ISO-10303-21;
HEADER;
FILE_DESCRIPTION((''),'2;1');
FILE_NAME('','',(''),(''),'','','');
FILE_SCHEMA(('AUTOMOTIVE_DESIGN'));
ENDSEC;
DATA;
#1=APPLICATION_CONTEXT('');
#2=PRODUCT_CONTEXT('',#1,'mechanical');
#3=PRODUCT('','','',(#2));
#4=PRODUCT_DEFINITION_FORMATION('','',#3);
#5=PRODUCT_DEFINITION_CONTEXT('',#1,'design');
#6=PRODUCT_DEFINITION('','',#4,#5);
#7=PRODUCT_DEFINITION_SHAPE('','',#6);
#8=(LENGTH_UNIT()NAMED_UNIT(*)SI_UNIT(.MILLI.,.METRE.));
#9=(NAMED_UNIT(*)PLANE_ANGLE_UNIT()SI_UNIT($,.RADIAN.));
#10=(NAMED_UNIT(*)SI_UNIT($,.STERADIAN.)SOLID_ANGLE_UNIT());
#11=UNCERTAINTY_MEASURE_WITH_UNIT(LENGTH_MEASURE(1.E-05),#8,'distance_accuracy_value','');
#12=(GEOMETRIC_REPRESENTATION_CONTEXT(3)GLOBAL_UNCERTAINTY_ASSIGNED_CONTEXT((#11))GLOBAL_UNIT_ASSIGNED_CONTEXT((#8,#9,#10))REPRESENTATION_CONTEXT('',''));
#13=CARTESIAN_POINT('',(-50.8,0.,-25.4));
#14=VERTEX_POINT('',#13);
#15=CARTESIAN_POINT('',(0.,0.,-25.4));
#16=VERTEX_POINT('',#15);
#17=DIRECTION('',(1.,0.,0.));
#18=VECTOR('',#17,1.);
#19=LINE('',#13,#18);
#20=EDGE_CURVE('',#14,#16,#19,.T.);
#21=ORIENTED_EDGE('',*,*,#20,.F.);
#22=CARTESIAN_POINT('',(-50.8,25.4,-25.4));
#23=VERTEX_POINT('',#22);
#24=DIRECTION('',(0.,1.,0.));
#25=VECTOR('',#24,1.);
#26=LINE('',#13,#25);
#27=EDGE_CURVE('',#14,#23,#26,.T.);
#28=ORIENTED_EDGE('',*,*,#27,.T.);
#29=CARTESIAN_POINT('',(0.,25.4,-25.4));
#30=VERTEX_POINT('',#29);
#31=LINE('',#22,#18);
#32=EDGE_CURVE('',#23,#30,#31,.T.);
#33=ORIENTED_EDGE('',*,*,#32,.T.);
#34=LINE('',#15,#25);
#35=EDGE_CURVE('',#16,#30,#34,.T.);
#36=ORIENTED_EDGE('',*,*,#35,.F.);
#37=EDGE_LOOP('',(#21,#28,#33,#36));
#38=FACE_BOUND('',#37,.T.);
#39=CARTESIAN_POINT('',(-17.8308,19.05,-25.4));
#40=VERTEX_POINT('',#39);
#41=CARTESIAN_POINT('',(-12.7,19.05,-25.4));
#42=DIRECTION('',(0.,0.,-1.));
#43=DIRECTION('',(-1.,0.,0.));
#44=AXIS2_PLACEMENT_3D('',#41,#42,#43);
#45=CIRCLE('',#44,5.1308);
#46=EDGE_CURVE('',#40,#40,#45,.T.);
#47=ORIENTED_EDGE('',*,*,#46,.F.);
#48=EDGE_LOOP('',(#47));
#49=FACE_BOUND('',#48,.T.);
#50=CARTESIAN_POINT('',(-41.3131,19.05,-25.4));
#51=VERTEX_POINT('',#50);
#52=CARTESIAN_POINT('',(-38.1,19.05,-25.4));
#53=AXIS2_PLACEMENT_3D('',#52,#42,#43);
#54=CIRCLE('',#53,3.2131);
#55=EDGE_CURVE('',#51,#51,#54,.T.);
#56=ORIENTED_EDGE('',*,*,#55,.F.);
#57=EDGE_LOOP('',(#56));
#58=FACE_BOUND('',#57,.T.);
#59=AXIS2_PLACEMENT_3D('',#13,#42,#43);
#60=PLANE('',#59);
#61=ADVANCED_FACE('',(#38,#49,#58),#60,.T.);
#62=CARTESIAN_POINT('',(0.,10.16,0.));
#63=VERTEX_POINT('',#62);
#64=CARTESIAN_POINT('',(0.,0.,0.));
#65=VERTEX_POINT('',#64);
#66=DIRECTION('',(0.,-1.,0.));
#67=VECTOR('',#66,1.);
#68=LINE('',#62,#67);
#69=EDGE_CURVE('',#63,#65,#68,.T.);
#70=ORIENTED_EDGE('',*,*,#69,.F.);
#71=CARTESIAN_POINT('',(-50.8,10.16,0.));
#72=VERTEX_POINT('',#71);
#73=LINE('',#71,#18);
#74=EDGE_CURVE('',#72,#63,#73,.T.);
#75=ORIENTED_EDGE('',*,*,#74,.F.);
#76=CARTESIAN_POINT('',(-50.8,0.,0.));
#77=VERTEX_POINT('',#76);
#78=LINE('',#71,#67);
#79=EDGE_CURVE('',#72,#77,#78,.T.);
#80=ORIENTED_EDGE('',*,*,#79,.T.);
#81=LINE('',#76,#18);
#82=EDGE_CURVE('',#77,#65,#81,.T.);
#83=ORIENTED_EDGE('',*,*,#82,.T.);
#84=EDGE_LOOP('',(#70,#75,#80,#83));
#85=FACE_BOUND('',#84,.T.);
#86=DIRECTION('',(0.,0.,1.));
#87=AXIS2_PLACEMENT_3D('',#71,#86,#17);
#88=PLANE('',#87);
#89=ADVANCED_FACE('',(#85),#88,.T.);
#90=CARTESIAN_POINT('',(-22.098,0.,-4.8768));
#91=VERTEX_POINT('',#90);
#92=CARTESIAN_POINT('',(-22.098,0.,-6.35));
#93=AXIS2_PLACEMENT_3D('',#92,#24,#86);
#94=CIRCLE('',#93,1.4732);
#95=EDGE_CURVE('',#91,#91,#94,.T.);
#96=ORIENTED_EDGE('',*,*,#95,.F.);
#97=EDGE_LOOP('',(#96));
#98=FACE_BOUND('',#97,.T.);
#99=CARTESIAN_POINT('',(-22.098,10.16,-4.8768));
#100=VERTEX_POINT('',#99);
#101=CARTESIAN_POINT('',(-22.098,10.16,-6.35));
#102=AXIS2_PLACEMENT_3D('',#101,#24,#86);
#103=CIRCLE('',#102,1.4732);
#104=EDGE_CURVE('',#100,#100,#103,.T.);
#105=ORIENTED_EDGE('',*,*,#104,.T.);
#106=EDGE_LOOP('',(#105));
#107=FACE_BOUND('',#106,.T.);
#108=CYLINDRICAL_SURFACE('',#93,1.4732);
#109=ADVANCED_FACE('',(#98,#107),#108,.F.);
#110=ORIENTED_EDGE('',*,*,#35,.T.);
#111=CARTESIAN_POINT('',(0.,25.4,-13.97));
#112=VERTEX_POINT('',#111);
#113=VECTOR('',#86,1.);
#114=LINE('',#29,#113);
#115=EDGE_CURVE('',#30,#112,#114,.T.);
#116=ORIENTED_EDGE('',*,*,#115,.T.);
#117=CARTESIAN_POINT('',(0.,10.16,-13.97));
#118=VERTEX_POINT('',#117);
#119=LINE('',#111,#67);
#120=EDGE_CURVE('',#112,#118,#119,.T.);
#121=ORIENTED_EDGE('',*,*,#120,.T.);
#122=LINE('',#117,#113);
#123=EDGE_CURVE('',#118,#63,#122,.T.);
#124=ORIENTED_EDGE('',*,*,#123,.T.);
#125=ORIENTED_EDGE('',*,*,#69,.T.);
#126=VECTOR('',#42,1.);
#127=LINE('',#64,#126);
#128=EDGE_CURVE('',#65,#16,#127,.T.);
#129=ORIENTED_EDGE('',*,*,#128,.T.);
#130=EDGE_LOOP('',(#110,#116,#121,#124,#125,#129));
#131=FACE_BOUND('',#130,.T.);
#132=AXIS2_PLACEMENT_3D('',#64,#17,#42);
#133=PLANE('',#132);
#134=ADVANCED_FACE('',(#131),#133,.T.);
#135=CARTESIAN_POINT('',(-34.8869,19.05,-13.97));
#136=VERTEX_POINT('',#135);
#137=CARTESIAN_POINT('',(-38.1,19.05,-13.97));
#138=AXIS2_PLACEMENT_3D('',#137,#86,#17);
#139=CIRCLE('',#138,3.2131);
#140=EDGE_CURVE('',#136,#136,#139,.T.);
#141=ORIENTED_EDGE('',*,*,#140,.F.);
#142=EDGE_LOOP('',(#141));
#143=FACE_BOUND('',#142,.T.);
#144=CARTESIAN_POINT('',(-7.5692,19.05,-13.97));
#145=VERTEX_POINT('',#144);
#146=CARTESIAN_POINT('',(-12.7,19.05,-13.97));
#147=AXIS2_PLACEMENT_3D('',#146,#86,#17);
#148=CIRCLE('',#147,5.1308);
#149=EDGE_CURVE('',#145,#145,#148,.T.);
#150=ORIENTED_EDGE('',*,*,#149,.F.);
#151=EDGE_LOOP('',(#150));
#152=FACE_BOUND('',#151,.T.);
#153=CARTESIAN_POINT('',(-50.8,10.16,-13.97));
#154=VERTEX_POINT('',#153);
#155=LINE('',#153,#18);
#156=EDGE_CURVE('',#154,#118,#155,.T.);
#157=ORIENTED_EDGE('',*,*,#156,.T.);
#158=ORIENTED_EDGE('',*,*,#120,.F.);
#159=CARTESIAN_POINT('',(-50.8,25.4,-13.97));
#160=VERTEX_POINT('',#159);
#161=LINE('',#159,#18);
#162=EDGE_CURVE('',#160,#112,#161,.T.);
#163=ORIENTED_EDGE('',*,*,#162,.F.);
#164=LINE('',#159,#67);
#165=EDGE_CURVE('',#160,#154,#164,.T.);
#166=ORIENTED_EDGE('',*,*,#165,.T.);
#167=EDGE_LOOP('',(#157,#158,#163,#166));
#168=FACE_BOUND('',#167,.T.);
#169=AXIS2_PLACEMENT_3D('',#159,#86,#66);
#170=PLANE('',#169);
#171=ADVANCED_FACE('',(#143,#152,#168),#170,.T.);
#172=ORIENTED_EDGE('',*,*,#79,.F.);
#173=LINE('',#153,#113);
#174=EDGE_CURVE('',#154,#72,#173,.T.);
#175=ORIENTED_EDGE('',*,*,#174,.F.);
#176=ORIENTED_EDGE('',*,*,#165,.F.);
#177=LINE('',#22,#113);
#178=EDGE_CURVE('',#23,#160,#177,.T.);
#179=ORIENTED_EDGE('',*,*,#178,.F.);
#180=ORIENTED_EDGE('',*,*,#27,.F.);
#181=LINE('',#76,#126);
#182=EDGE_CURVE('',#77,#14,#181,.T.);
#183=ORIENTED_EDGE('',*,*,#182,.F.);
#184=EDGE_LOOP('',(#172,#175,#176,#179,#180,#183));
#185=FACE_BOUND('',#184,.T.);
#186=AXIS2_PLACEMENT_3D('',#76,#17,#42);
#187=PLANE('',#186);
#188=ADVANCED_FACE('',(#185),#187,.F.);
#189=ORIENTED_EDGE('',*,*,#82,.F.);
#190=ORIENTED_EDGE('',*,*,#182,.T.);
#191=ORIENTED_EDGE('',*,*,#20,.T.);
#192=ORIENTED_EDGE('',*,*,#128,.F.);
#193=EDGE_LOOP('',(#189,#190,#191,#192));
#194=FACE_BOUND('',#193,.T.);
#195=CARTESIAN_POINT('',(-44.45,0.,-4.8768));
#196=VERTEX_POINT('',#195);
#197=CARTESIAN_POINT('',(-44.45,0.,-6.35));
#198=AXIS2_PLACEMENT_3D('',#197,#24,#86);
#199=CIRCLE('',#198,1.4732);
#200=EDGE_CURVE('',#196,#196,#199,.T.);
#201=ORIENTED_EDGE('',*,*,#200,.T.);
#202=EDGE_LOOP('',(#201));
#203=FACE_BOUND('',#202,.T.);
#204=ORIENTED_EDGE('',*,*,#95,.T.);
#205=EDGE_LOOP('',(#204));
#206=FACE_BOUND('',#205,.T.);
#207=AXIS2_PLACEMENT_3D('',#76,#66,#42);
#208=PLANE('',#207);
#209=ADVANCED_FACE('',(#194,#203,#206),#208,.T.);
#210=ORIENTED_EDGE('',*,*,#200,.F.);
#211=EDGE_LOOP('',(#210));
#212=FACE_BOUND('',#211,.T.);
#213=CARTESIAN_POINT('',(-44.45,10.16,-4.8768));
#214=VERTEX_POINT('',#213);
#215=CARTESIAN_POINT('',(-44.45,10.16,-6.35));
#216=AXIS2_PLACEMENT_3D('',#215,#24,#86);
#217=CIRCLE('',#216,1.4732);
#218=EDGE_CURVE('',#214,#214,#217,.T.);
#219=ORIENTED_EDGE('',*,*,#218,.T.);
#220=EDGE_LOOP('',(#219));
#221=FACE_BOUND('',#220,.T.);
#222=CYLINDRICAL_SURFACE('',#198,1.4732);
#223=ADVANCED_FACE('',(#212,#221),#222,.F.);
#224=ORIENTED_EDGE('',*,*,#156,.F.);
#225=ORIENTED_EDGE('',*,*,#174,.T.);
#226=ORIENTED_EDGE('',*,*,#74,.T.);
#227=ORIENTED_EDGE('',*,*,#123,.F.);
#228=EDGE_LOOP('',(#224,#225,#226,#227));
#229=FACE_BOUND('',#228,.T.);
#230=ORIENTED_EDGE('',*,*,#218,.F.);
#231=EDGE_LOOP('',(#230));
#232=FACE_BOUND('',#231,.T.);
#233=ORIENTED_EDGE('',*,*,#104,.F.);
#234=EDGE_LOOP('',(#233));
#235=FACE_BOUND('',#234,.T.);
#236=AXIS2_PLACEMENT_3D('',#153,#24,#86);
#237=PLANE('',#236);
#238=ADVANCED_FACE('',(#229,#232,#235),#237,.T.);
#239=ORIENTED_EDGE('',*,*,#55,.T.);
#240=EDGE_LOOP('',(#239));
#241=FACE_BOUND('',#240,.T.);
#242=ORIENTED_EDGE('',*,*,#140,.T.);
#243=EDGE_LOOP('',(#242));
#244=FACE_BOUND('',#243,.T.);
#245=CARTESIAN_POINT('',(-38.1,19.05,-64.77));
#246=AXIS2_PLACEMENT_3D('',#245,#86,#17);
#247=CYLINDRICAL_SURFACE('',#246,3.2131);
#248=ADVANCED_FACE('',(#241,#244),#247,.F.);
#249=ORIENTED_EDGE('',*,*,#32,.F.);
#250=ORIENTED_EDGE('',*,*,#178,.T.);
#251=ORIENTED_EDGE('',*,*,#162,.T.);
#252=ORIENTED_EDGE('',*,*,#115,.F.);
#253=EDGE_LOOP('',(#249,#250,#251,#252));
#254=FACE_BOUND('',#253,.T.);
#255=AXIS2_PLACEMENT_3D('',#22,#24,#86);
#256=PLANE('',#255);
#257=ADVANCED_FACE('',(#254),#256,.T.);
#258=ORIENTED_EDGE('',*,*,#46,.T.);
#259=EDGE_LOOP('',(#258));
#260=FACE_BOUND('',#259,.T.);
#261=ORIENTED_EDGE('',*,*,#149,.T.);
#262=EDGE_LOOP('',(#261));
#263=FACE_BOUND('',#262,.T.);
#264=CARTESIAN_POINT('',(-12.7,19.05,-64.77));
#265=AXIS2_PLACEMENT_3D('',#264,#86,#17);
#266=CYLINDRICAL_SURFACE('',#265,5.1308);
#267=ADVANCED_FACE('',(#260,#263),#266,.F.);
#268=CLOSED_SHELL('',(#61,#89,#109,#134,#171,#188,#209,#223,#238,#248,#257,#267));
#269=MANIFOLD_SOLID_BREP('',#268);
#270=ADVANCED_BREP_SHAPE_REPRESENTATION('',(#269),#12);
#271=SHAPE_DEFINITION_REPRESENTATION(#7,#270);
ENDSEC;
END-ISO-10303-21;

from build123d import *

# Parameters (mm, degrees)
BOSS_EXTRUDE1_DEPTH = 50.8
SKETCH4_R           = 1.4732
CUT_EXTRUDE1_DEPTH  = 11.16
SKETCH5_R           = 3.2131
SKETCH5_R_2         = 5.1308
CUT_EXTRUDE2_DEPTH  = 50.8


with BuildPart() as part:
    # Sketch3 → Boss-Extrude1 (new body)
    with BuildSketch(Plane(origin=(0, 0, 0), x_dir=(0, 0, -1), z_dir=(1, 0, 0))):
        Polygon((0, 0), (25.4, 0), (25.4, 25.4), (13.97, 25.4), (13.97, 10.16), (0, 10.16), align=None)
    extrude(amount=-BOSS_EXTRUDE1_DEPTH)

    # Sketch4 → Cut-Extrude1 (cut, through all)
    with BuildSketch(Plane(origin=(0, 10.16, 0), x_dir=(1, 0, 0), z_dir=(0, 1, 0))):
        with Locations((-44.45, 6.35)):
            Circle(SKETCH4_R)
        with Locations((-22.098, 6.35)):
            Circle(SKETCH4_R)
    extrude(amount=-CUT_EXTRUDE1_DEPTH, mode=Mode.SUBTRACT)

    # Sketch5 → Cut-Extrude2 (cut)
    with BuildSketch(Plane.XY.offset(-13.97)):
        with Locations((-38.1, 19.05)):
            Circle(SKETCH5_R)
        with Locations((-12.7, 19.05)):
            Circle(SKETCH5_R_2)
    extrude(amount=-CUT_EXTRUDE2_DEPTH, mode=Mode.SUBTRACT)


solid = part.part
